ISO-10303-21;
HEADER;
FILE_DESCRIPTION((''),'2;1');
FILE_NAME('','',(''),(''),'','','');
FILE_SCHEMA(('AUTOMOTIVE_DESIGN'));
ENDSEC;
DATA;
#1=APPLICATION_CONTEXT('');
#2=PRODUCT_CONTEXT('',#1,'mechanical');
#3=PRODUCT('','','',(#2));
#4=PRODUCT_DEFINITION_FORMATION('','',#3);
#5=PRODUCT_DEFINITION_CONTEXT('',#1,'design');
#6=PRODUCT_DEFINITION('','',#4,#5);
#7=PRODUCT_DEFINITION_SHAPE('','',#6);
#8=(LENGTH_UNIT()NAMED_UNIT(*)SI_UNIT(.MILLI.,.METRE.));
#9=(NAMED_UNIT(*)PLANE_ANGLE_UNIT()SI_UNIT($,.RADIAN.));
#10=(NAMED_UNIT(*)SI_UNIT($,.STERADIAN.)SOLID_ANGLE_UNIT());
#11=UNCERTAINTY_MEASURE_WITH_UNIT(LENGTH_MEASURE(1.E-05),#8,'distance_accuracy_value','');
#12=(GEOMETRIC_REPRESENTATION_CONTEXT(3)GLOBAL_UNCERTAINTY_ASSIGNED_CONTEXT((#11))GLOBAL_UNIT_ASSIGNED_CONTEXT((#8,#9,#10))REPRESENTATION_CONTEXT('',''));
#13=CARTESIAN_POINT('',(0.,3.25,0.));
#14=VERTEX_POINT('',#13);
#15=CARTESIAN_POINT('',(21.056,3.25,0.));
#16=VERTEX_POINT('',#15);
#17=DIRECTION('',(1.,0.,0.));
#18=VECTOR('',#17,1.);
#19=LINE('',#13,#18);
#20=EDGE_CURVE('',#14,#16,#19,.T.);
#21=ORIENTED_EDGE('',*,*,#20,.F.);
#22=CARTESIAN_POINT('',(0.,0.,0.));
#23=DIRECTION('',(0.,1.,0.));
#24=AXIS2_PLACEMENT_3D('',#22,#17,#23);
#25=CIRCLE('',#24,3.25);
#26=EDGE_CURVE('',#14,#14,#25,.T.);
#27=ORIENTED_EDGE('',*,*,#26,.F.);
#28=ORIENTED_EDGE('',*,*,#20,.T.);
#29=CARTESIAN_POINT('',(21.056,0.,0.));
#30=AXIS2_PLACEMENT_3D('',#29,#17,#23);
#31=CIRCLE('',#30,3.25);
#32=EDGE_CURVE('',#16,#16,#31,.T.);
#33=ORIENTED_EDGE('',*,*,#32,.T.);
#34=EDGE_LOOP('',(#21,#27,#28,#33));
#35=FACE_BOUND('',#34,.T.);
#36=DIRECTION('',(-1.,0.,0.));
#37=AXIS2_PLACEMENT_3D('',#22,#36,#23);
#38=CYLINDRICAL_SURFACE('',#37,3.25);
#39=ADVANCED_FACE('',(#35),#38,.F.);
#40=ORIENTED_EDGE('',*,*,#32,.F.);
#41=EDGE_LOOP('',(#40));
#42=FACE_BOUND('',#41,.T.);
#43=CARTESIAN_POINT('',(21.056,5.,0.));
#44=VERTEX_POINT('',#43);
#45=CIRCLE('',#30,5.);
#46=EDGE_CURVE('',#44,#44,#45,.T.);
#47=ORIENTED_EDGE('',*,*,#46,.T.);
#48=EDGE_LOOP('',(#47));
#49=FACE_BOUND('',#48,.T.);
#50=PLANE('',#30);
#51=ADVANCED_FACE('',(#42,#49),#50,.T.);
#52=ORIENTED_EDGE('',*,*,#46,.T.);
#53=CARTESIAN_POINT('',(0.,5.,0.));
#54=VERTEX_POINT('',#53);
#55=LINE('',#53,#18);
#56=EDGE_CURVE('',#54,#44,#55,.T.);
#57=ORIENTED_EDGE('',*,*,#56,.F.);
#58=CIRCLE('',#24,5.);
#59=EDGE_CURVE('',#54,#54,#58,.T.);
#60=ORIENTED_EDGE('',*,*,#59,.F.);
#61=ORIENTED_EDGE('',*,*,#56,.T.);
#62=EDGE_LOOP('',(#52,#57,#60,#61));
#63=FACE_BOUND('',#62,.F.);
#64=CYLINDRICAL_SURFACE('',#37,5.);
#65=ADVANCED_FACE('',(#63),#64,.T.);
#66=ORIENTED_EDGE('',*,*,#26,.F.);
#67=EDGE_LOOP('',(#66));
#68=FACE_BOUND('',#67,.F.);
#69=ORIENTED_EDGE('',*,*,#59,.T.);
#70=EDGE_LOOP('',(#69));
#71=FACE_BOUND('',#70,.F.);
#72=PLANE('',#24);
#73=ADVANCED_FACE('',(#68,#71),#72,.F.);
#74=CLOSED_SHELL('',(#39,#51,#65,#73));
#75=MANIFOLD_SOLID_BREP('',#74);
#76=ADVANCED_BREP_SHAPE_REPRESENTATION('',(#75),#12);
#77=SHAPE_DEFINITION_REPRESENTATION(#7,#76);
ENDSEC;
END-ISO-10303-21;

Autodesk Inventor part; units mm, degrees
ref_plane "YZ Plane" through (0, 0, 0) normal (1, 0, 0) x (0, 1, 0)
ref_plane "XZ Plane" through (0, 0, 0) normal (0, 1, 0) x (-1, 0, 0)
ref_plane "XY Plane" through (0, 0, 0) normal (0, 0, 1) x (1, 0, 0)
sketch "Sketch1" plane through (0, 0, 0) normal (1, 0, 0) x (0, 1, 0)
  circle A0 centre (0, 0) radius 3.25
  circle A1 centre (0, 0) radius 5
  dimension "d0" = 6.5
  dimension "d1" = 10
extrude "Extrusion1" add sketch "Sketch1" along normal blind 21.056
properties part number "linac_lower_ax_spacer"
